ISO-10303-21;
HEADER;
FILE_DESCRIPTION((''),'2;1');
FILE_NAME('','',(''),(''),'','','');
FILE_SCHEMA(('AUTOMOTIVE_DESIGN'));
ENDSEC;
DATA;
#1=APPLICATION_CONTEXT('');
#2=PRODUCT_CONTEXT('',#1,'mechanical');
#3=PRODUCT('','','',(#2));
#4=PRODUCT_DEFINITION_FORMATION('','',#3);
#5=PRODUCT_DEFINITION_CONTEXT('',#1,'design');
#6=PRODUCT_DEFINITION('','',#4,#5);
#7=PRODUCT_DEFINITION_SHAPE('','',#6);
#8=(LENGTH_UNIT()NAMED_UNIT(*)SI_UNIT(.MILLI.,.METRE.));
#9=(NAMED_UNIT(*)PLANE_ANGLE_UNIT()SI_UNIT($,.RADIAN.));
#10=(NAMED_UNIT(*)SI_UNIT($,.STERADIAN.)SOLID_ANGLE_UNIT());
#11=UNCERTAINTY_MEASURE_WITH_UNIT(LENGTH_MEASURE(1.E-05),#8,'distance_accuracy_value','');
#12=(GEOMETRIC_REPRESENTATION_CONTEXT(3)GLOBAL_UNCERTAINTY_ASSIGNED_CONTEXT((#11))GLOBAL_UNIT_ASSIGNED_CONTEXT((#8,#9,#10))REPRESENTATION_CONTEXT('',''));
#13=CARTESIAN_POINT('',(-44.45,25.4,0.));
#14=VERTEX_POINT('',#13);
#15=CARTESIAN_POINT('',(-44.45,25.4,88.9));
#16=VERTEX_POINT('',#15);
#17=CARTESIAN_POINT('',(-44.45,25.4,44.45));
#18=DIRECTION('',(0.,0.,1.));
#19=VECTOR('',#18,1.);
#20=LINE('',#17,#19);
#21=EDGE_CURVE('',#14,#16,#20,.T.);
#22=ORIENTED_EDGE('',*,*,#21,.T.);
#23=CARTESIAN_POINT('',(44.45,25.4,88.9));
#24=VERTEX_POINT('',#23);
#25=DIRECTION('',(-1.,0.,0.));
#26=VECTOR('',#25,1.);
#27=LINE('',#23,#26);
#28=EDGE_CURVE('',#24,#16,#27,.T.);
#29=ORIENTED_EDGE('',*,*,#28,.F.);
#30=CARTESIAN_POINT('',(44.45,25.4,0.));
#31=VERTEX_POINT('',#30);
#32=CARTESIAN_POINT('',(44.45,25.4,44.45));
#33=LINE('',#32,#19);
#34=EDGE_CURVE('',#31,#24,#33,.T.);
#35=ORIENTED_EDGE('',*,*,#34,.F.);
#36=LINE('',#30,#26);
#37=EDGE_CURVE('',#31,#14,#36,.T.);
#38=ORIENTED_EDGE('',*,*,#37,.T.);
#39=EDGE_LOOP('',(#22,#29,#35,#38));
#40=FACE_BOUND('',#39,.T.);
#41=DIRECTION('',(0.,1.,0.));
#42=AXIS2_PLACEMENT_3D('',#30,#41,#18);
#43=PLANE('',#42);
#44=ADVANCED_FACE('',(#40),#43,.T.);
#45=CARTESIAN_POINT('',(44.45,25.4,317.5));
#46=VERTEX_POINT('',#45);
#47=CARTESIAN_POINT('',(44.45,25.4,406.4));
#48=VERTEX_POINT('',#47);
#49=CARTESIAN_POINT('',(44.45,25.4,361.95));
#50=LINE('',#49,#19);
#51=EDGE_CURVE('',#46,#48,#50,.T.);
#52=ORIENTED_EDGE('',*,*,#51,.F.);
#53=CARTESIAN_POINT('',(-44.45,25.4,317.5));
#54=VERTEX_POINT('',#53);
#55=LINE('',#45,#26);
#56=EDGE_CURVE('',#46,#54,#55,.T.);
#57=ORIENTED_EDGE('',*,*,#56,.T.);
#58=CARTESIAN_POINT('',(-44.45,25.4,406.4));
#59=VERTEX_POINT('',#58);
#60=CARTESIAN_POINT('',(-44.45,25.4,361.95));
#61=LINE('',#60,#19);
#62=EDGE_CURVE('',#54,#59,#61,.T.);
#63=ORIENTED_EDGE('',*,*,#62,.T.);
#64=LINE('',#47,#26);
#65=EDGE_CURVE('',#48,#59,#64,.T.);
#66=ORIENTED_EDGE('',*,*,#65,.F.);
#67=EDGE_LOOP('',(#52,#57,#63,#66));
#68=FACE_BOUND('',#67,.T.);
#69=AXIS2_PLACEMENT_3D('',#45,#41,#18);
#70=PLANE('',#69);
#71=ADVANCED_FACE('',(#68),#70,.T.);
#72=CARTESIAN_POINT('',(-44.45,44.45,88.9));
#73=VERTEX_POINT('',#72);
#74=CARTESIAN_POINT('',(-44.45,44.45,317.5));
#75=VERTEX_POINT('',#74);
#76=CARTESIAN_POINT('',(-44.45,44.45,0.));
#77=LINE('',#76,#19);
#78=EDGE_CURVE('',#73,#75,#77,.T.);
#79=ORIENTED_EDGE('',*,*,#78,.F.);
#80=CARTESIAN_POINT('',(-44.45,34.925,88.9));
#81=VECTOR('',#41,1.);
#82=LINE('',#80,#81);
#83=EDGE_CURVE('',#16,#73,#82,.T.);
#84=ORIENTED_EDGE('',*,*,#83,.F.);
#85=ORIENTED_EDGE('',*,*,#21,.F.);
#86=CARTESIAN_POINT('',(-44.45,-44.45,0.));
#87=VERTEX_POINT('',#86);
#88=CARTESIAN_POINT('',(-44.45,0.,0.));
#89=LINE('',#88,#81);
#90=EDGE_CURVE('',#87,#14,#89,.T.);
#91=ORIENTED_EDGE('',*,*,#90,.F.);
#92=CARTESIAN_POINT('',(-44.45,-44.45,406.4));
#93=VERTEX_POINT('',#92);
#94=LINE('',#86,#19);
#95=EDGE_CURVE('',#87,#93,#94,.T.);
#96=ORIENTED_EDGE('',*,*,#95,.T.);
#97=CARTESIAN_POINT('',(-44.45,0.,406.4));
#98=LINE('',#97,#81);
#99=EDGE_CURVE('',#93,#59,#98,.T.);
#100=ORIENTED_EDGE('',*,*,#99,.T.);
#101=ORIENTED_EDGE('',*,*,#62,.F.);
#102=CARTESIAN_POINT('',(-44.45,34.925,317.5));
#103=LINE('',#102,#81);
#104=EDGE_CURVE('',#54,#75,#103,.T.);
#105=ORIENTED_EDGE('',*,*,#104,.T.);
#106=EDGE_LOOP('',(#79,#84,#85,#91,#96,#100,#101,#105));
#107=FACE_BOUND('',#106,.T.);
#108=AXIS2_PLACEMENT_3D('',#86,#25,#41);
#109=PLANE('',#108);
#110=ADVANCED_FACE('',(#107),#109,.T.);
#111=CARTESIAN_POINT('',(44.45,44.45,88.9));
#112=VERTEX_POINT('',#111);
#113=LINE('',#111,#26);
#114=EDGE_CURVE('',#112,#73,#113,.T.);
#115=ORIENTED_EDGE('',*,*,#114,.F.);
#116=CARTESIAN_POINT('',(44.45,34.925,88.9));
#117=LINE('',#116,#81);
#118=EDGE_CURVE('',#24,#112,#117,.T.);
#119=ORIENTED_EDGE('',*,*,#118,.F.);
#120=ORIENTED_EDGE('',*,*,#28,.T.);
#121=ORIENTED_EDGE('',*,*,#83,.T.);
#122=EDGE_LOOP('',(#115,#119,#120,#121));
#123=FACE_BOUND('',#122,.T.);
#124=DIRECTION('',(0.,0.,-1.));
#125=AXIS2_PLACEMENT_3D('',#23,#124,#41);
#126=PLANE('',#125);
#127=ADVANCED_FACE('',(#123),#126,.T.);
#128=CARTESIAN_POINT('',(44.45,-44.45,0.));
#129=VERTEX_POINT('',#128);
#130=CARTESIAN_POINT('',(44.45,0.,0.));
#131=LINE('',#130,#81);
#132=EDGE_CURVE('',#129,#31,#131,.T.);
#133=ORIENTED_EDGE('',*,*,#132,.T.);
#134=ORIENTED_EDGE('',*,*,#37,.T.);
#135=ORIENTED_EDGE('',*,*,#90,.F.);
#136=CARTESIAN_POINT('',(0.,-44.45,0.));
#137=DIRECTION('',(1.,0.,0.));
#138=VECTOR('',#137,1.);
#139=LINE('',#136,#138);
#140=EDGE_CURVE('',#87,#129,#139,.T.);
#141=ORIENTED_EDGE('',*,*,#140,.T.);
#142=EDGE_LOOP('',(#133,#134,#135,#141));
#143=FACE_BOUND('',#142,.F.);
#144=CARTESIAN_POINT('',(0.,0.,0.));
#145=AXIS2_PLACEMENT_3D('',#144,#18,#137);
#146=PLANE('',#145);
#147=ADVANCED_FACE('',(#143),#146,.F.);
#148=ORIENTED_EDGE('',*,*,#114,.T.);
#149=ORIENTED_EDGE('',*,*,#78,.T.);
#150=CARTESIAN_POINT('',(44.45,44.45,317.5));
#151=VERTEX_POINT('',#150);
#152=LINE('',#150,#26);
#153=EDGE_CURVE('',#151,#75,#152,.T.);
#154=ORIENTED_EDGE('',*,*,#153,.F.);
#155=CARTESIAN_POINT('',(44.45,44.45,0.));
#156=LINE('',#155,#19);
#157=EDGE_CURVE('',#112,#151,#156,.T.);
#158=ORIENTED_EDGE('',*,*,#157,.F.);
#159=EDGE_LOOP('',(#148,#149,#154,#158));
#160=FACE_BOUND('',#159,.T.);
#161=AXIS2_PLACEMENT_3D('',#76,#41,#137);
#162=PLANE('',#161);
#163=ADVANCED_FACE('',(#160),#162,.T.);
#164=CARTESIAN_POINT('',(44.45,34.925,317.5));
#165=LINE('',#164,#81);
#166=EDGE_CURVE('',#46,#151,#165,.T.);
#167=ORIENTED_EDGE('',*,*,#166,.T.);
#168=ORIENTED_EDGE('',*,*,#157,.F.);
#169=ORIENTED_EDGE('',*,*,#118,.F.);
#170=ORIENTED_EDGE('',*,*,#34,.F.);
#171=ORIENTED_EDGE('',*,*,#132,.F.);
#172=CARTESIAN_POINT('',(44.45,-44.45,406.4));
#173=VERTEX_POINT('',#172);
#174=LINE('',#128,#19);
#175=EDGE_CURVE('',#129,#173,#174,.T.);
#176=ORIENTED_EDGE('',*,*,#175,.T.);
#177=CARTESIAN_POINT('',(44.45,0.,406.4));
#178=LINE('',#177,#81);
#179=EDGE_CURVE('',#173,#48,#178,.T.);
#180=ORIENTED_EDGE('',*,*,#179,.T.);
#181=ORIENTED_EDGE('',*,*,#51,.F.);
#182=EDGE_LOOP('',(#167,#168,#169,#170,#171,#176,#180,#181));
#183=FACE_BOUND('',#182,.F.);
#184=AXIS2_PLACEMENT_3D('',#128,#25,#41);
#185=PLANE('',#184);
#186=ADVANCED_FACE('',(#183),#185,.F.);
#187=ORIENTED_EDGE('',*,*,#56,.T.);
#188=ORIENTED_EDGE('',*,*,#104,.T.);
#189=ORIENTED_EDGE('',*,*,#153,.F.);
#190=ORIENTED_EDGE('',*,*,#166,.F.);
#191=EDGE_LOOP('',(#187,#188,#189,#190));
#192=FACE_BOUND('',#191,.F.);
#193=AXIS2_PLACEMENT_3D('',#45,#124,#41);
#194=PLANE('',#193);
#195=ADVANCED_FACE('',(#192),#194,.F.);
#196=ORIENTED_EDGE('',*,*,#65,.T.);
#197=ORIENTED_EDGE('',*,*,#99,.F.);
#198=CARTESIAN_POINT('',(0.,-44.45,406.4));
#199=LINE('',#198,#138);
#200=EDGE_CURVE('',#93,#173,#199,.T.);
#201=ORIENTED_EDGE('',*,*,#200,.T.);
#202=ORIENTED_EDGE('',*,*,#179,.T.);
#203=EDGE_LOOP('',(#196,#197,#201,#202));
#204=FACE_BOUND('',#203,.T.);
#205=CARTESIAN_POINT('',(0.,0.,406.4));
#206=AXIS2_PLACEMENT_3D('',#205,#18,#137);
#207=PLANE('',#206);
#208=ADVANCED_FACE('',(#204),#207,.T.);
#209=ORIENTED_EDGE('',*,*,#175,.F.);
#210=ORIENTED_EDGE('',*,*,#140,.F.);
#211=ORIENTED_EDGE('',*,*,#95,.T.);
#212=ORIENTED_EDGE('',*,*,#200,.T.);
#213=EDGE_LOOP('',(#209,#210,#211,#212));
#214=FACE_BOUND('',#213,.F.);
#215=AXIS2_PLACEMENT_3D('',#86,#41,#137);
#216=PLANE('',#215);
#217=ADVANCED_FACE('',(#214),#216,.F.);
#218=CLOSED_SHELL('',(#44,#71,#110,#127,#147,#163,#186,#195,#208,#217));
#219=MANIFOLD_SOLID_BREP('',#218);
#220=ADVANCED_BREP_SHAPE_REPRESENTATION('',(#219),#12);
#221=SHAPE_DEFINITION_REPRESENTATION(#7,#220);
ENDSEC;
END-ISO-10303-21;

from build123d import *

# Parameters (mm, degrees)
F0_W     = 88.9
F0_H     = 88.9
F1_DEPTH = 406.4
F2_W     = 19.05
F2_H     = 88.9
F3_DEPTH = 88.9


with BuildPart() as f1:
    # F0 (on Top) → F1 (new body)
    with BuildSketch(Plane.XY):
        Rectangle(F0_W, F0_H)
    extrude(amount=F1_DEPTH)

    # F2 (on face) → F3 (cut, through all)
    with BuildSketch(Plane.YZ.offset(44.45)):
        with Locations((34.925, 361.95)):
            Rectangle(F2_W, F2_H)
        with Locations((34.925, 44.45)):
            Rectangle(F2_W, F2_H)
    extrude(amount=-F3_DEPTH, mode=Mode.SUBTRACT)


solid = f1.part
